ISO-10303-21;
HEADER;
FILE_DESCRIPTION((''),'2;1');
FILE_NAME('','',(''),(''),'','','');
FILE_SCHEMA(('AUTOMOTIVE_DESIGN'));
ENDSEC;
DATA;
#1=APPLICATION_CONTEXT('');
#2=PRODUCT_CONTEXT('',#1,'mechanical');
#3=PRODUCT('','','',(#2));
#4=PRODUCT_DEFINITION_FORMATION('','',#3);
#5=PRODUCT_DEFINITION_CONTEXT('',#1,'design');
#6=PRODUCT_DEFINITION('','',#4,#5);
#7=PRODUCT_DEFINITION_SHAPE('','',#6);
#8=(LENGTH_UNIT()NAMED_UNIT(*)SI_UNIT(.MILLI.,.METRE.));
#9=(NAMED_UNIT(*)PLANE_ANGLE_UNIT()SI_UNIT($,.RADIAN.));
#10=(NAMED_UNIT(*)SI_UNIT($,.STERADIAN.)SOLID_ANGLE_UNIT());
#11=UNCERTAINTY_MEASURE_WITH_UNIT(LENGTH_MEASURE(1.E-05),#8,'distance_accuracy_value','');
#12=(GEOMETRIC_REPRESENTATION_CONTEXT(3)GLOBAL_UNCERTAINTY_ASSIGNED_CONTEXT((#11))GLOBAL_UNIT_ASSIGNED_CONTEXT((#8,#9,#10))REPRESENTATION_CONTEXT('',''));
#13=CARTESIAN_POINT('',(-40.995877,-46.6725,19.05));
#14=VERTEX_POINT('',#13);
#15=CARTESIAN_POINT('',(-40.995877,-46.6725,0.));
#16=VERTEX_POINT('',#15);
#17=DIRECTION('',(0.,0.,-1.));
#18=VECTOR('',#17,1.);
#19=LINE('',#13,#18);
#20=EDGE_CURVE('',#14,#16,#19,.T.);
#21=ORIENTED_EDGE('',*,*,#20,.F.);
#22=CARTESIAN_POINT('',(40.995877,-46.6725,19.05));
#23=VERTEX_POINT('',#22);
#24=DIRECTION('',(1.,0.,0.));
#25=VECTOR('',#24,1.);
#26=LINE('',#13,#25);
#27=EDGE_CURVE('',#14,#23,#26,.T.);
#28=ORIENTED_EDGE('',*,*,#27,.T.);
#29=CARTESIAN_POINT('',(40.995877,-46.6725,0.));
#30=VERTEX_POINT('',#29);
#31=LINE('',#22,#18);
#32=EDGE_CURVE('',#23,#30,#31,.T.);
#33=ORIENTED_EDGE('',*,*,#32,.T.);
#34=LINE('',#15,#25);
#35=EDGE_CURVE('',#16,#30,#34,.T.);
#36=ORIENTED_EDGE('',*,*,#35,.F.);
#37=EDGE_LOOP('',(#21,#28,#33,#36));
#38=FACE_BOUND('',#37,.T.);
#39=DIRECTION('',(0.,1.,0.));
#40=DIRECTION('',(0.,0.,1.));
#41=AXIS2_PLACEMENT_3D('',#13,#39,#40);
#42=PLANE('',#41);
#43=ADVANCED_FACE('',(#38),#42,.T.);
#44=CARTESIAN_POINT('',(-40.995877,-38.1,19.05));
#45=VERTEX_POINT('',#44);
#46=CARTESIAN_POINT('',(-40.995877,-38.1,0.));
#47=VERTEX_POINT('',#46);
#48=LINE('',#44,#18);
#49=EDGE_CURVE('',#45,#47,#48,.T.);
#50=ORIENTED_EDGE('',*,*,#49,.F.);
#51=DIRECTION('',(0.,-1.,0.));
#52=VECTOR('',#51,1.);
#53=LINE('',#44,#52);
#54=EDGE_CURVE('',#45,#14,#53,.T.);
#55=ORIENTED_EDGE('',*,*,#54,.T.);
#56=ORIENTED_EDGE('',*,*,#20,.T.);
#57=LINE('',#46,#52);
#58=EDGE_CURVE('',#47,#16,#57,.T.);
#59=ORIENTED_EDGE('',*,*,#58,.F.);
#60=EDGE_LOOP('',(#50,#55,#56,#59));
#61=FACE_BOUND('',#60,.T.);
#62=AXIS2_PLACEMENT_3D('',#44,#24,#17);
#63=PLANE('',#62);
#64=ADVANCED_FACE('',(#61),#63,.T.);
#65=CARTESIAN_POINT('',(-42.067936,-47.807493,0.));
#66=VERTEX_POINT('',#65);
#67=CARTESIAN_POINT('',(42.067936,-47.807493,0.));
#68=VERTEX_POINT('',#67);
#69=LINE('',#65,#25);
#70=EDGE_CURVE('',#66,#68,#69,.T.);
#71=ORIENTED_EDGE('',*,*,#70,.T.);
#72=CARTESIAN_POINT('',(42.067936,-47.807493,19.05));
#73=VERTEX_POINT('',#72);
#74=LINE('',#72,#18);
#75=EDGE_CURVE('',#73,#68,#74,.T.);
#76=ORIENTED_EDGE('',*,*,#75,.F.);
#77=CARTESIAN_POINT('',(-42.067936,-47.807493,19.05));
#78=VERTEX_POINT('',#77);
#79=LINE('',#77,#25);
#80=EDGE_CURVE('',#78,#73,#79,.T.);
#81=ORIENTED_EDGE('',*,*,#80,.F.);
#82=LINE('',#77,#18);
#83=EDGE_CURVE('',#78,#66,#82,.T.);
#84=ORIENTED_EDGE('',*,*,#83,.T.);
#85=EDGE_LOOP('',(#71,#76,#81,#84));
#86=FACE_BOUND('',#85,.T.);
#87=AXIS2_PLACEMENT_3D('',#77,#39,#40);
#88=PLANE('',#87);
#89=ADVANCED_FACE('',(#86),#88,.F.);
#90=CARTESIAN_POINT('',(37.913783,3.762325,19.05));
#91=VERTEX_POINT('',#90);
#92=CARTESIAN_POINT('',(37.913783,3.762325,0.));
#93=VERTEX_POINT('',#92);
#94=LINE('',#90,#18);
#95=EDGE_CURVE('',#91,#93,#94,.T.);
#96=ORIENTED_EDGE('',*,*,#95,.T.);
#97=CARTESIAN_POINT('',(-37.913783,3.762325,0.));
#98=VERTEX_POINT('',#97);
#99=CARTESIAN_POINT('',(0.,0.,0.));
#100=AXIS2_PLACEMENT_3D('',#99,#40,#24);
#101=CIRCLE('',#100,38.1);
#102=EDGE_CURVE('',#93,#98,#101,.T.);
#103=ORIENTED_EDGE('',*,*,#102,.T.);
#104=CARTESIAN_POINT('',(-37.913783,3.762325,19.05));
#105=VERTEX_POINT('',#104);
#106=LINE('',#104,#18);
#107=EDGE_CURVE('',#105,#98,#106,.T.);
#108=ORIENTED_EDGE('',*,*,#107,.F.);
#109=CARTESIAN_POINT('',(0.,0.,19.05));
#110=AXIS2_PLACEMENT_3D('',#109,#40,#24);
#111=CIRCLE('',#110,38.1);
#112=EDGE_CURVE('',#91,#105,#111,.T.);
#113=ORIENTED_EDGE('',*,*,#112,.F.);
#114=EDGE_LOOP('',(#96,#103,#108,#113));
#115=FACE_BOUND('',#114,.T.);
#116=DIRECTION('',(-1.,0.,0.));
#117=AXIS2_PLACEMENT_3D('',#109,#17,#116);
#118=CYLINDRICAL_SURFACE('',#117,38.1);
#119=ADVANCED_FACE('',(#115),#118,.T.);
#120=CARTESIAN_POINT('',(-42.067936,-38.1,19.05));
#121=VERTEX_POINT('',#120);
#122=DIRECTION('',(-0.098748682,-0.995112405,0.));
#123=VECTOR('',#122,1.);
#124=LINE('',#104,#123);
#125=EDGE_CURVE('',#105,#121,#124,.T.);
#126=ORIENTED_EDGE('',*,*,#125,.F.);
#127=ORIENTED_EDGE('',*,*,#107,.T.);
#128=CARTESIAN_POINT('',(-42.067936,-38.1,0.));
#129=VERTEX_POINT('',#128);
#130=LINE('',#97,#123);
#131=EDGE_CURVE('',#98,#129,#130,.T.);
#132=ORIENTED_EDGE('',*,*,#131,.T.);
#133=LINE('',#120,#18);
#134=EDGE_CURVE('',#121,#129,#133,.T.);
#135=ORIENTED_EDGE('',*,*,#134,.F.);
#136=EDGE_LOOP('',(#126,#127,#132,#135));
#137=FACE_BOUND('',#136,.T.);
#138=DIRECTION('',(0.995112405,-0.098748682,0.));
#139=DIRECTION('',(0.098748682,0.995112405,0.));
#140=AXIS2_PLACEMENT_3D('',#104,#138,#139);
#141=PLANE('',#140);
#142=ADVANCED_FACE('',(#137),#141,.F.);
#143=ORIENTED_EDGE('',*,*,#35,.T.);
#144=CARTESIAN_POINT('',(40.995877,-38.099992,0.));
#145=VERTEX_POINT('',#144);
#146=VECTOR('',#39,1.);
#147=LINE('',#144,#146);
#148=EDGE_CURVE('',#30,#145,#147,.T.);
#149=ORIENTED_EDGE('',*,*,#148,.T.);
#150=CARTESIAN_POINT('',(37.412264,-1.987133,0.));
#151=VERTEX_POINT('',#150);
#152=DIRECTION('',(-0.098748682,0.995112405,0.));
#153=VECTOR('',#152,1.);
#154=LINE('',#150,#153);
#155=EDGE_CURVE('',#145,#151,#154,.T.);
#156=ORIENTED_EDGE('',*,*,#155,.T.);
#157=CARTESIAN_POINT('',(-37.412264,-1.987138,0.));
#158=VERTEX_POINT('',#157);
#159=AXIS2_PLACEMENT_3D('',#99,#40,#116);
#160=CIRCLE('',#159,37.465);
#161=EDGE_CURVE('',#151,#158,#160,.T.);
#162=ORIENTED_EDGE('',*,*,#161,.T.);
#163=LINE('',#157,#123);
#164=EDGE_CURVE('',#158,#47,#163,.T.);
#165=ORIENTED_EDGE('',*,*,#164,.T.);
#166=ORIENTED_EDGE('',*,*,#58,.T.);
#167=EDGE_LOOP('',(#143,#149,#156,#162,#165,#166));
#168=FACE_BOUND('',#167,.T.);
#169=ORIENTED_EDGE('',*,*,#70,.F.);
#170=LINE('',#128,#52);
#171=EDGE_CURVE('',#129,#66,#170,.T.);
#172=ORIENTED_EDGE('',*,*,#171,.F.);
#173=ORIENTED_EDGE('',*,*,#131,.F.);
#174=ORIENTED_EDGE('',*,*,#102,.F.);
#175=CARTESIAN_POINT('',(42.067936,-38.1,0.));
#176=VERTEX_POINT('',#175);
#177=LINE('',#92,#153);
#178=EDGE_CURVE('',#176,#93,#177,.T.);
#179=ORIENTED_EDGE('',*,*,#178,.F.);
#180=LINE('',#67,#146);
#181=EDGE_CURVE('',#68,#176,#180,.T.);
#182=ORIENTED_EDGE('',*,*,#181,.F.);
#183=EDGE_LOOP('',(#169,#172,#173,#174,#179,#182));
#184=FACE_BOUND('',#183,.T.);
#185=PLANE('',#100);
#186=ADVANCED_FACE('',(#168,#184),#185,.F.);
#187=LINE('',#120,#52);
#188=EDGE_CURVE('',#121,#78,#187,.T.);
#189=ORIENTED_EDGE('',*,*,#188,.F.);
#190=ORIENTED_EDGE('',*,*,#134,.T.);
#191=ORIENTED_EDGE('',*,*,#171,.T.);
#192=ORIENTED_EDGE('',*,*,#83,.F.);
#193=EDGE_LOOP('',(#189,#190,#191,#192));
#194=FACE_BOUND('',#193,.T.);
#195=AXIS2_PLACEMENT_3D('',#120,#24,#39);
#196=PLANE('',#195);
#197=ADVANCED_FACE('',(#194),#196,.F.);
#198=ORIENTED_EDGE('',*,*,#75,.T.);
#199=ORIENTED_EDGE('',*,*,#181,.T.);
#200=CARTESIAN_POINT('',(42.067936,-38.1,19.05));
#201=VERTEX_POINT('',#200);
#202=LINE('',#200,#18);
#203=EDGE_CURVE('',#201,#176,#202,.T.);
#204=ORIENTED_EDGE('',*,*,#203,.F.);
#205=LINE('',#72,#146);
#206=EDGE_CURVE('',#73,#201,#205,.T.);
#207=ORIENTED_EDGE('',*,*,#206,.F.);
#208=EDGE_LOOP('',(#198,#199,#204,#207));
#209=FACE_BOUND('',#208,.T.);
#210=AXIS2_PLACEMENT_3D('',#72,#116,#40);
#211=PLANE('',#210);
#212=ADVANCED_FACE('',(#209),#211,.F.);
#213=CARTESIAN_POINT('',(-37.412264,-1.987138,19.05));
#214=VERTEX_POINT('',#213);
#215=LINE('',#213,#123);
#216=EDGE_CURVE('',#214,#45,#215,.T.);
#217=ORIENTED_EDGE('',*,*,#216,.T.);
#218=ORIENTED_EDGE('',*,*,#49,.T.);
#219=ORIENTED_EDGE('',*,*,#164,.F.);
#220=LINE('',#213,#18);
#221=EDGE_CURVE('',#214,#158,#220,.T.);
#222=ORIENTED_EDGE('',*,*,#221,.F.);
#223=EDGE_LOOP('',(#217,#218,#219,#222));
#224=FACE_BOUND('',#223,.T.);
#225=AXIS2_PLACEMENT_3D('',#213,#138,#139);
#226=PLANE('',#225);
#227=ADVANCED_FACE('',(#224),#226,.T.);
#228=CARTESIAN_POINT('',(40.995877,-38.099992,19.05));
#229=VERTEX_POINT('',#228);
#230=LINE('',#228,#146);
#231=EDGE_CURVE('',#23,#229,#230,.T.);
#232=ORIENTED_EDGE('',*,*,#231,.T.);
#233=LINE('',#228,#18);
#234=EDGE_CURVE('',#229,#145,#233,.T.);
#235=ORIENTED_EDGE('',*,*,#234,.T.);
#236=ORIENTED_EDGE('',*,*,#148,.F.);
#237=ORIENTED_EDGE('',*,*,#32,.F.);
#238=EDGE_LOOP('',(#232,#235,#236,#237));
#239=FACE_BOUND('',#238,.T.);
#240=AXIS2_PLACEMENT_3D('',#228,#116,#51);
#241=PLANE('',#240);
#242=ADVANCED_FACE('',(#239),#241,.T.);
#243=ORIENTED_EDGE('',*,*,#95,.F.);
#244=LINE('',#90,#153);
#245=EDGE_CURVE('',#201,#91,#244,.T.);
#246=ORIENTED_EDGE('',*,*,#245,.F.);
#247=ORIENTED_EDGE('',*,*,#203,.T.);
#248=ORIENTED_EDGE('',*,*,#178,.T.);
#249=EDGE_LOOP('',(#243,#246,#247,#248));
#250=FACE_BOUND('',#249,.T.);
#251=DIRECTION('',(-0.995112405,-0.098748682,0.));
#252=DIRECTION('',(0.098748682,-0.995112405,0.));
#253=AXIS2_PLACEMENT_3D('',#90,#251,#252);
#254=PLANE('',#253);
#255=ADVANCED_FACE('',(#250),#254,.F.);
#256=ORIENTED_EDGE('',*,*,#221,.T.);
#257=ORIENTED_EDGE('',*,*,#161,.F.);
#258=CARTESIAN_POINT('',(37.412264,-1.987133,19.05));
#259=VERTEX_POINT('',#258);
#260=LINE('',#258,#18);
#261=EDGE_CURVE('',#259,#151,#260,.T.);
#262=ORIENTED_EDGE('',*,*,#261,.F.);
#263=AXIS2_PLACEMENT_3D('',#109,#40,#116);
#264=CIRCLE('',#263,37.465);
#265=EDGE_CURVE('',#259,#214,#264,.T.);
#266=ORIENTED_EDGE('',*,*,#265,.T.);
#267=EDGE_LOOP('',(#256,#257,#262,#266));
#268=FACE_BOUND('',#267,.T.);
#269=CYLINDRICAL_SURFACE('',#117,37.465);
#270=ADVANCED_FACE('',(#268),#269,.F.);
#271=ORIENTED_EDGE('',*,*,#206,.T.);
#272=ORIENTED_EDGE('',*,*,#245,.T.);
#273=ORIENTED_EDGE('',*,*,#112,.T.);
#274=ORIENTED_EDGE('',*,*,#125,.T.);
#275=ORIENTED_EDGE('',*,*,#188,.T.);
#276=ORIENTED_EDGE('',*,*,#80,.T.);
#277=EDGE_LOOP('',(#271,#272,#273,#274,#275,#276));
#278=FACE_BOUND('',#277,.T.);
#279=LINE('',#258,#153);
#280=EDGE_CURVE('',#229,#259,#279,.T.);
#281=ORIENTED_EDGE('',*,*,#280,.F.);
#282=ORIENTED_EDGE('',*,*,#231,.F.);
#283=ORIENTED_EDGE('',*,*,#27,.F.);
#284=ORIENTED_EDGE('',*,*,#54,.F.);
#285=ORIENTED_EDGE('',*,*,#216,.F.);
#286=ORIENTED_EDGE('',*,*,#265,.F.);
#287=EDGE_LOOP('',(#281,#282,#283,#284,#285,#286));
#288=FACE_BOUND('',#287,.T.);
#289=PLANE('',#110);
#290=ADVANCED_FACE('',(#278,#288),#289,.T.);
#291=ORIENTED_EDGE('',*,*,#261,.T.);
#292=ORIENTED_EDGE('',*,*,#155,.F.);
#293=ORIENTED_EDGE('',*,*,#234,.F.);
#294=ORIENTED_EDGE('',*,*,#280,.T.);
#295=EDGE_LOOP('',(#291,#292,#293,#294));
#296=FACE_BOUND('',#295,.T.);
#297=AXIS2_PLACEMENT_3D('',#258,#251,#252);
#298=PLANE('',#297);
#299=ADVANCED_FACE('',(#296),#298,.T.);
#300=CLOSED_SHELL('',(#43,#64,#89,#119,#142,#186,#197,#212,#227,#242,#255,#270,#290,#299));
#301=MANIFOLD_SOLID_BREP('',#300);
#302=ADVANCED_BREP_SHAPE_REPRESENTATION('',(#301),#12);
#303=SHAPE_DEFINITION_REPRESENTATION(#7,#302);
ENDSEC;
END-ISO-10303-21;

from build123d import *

# Parameters (mm, degrees)
BOSS_EXTRUDE1_DEPTH = 19.05


with BuildPart() as part:
    # Sketch1 → Boss-Extrude1 (new body)
    with BuildSketch(Plane.XY):
        with BuildLine():
            Line((-37.913782616, 3.762324776), (-42.067935824, -38.1))
            Line((-42.067935824, -38.1), (-42.067935824, -47.807493339))
            Line((-42.067935824, -47.807493339), (42.067935824, -47.807493339))
            Line((42.067935824, -47.807493339), (42.067935824, -38.1))
            Line((42.067935824, -38.1), (37.913782616, 3.762324776))
            ThreePointArc((37.913782616, 3.762324776), (0, 38.1), (-37.913782616, 3.762324776))
        make_face()
        with BuildLine():
            Line((-37.412264152, -1.987137644), (-40.995876955, -38.1))
            Line((-40.995876955, -38.1), (-40.995876955, -46.6725))
            Line((-40.995876955, -46.6725), (40.995876955, -46.6725))
            Line((40.995876955, -46.6725), (40.995876955, -38.099992109))
            Line((40.995876955, -38.099992109), (37.412264425, -1.987132504))
            ThreePointArc((37.412264425, -1.987132504), (-2.574e-06, 37.465), (-37.412264152, -1.987137644))
        make_face(mode=Mode.SUBTRACT)
    extrude(amount=BOSS_EXTRUDE1_DEPTH)


solid = part.part
